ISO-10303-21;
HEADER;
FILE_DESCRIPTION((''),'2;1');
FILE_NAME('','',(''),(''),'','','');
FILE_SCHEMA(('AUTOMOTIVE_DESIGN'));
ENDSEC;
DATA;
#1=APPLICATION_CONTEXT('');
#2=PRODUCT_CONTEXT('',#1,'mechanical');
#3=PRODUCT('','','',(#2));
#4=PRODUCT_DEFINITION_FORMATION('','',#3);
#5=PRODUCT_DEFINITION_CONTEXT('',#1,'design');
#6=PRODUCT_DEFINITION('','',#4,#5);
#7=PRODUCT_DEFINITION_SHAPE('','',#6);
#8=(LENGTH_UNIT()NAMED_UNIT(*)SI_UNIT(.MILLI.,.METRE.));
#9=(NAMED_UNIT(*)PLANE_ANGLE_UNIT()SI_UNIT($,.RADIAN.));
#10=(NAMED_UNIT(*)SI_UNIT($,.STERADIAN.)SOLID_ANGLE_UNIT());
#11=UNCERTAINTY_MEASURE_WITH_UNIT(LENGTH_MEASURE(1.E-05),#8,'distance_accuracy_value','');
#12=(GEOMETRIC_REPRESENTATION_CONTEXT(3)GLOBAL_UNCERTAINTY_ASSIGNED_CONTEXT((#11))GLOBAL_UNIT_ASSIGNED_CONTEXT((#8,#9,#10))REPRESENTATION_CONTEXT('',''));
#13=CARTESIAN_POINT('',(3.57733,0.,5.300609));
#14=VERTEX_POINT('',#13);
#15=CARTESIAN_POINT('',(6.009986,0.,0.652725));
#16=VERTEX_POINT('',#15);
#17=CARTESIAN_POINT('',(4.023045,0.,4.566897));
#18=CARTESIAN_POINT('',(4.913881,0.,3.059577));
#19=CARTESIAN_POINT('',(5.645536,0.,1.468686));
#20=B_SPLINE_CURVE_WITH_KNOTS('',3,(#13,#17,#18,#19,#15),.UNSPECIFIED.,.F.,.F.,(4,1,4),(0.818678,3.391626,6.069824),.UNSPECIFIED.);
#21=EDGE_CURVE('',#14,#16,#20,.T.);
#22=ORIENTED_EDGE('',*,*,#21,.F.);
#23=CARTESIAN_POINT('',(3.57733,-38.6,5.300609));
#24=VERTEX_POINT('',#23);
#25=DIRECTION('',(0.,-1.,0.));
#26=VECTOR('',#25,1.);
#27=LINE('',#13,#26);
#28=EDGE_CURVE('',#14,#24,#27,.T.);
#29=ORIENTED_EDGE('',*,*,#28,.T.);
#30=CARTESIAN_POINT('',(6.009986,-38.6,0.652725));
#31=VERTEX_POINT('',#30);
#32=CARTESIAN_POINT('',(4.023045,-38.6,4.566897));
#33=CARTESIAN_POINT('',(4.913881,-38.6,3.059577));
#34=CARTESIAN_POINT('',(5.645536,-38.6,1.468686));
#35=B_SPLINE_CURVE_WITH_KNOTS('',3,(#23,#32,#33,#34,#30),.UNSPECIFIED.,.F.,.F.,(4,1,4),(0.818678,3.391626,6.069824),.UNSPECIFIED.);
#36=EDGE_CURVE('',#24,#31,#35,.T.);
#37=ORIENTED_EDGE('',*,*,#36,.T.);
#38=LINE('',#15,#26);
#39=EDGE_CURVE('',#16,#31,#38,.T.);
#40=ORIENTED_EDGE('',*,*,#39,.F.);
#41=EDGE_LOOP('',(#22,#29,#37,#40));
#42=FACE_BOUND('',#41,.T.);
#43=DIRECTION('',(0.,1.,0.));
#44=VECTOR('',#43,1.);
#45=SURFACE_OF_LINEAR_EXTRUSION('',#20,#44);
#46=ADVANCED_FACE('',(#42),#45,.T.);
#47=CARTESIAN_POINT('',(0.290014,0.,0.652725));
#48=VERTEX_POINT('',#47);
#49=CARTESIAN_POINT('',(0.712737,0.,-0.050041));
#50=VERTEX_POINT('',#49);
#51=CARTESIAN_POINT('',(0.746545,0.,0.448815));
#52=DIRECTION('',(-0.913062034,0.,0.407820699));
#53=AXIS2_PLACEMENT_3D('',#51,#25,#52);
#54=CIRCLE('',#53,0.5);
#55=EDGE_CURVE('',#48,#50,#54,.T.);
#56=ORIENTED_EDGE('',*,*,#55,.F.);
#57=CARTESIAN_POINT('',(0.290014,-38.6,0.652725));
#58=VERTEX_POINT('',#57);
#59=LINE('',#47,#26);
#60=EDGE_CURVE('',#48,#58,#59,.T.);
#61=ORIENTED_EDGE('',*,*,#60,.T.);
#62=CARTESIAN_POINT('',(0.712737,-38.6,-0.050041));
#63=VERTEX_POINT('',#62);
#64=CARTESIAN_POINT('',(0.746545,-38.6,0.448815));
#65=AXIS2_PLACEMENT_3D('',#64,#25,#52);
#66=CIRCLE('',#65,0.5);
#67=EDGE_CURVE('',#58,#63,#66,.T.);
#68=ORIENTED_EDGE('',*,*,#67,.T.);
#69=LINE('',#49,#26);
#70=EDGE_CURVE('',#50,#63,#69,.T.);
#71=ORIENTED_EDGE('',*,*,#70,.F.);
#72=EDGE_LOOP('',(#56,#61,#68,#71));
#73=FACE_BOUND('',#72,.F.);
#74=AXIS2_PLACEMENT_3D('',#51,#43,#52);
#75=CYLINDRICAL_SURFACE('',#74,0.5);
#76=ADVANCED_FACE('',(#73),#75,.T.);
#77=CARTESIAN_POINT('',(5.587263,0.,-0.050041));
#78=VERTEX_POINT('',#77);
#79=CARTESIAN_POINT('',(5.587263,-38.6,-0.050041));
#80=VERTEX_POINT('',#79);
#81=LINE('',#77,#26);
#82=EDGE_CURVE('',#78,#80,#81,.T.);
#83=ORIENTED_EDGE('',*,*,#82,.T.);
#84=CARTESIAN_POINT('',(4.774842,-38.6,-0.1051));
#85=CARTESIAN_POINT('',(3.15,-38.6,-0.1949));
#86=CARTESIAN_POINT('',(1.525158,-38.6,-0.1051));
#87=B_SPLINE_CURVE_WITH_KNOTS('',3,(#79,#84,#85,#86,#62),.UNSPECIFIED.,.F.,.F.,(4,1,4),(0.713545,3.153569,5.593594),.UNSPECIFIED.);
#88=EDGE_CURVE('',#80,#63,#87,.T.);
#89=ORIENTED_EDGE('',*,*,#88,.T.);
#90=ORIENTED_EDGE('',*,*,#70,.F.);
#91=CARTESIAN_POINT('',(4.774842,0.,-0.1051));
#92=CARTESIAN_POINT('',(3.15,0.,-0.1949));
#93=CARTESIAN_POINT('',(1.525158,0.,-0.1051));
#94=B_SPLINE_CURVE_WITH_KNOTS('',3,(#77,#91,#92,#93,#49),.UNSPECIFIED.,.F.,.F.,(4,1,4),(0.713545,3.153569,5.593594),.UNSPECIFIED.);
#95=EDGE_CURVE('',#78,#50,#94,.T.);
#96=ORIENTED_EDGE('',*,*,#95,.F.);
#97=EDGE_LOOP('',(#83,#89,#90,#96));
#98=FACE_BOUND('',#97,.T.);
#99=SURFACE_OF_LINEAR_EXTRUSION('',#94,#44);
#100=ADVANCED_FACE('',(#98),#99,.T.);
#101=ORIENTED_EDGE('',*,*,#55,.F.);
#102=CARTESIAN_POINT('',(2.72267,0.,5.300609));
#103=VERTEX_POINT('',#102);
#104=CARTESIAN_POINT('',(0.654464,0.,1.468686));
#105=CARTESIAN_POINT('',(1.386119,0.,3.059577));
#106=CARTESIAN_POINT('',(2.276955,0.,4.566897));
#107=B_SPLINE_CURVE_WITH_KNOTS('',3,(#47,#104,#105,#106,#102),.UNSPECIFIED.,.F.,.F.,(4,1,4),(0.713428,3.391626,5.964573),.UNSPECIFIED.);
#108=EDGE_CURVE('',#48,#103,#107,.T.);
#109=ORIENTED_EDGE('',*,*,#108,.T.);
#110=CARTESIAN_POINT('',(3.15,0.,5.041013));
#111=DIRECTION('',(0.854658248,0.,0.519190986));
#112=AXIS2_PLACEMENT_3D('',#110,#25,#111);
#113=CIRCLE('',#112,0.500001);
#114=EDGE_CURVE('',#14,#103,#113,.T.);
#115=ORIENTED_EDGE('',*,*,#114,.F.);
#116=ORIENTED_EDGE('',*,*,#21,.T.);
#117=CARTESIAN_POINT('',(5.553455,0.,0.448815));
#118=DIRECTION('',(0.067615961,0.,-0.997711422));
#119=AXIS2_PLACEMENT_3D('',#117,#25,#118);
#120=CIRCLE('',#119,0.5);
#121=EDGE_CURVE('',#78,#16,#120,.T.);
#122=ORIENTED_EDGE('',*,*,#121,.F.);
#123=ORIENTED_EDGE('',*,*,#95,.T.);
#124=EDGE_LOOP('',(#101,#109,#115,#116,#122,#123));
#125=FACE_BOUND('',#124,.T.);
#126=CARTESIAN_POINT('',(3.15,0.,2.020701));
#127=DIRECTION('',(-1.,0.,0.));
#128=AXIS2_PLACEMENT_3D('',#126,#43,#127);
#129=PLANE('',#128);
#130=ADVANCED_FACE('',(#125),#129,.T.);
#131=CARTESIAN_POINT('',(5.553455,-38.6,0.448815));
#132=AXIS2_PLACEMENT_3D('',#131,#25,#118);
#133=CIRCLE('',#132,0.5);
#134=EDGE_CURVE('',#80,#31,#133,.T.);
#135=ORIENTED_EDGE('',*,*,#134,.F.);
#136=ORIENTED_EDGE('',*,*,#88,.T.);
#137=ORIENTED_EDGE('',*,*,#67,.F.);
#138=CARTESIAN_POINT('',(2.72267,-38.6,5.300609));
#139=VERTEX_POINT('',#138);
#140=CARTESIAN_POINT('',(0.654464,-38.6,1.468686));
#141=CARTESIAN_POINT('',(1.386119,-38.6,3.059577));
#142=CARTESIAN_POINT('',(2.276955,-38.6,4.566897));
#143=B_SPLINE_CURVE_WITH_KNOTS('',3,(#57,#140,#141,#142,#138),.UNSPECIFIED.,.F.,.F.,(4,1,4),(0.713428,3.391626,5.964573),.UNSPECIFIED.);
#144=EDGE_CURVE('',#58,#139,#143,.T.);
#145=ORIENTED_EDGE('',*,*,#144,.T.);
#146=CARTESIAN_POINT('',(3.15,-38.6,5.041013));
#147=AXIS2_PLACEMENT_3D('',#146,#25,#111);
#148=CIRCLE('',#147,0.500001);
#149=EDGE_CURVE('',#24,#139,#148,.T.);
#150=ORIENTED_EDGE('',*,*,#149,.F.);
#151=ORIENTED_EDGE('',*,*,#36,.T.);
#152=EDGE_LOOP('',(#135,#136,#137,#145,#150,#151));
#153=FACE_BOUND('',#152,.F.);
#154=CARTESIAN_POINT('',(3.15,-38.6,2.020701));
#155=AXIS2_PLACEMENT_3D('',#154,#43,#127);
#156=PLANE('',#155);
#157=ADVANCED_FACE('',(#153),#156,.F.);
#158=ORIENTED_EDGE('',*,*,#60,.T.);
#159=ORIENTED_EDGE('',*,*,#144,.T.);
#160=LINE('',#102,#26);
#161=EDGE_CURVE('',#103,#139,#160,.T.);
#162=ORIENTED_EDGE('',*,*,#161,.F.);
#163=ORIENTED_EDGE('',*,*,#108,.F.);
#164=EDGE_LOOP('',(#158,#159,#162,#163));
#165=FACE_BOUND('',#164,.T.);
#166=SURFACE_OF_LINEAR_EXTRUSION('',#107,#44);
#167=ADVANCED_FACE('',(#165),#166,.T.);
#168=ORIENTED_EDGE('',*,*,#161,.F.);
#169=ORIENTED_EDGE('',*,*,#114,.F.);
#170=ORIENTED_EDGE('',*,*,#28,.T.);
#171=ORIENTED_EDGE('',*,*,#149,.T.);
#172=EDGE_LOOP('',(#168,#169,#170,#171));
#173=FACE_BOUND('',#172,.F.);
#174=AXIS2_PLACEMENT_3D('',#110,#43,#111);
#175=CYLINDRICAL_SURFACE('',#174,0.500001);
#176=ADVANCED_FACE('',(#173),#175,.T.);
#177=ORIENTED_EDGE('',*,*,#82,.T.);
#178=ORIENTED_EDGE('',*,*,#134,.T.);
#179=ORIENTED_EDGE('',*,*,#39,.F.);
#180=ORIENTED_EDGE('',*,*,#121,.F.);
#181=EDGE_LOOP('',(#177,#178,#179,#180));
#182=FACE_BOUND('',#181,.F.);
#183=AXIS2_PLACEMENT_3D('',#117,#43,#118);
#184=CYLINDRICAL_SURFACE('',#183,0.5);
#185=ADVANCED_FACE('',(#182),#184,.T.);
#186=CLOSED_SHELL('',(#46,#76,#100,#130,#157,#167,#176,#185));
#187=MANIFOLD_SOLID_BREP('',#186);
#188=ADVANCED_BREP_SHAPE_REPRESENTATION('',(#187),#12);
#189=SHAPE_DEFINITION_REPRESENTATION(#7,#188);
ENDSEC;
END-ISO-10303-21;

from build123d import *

# Parameters (mm, degrees)
F1_DEPTH = 38.6


with BuildPart() as f1:
    # F0 (on Front) → F1 (new body)
    with BuildSketch(Plane.XZ):
        with BuildLine():
            add(Edge.make_bspline(
                [(0.290014, 0.652725), (0.654464, 1.468686), (1.386119, 3.059577), (2.276955, 4.566897), (2.72267, 5.300609)],
                knots=[0.713428, 0.713428, 0.713428, 0.713428, 3.391626, 5.964573, 5.964573, 5.964573, 5.964573], degree=3))
            ThreePointArc((0.290014, 0.652725), (0.318085, 0.19109), (0.712737, -0.050041))
            add(Edge.make_bspline(
                [(5.587263, -0.050041), (4.774842, -0.1051), (3.15, -0.1949), (1.525158, -0.1051), (0.712737, -0.050041)],
                knots=[0.713545, 0.713545, 0.713545, 0.713545, 3.153569, 5.593594, 5.593594, 5.593594, 5.593594], degree=3))
            ThreePointArc((5.587263, -0.050041), (5.981915, 0.19109), (6.009986, 0.652725))
            add(Edge.make_bspline(
                [(3.57733, 5.300609), (4.023045, 4.566897), (4.913881, 3.059577), (5.645536, 1.468686), (6.009986, 0.652725)],
                knots=[0.818678, 0.818678, 0.818678, 0.818678, 3.391626, 6.069824, 6.069824, 6.069824, 6.069824], degree=3))
            ThreePointArc((3.57733, 5.300609), (3.15, 5.541014), (2.72267, 5.300609))
        make_face()
    extrude(amount=F1_DEPTH)


solid = f1.part
